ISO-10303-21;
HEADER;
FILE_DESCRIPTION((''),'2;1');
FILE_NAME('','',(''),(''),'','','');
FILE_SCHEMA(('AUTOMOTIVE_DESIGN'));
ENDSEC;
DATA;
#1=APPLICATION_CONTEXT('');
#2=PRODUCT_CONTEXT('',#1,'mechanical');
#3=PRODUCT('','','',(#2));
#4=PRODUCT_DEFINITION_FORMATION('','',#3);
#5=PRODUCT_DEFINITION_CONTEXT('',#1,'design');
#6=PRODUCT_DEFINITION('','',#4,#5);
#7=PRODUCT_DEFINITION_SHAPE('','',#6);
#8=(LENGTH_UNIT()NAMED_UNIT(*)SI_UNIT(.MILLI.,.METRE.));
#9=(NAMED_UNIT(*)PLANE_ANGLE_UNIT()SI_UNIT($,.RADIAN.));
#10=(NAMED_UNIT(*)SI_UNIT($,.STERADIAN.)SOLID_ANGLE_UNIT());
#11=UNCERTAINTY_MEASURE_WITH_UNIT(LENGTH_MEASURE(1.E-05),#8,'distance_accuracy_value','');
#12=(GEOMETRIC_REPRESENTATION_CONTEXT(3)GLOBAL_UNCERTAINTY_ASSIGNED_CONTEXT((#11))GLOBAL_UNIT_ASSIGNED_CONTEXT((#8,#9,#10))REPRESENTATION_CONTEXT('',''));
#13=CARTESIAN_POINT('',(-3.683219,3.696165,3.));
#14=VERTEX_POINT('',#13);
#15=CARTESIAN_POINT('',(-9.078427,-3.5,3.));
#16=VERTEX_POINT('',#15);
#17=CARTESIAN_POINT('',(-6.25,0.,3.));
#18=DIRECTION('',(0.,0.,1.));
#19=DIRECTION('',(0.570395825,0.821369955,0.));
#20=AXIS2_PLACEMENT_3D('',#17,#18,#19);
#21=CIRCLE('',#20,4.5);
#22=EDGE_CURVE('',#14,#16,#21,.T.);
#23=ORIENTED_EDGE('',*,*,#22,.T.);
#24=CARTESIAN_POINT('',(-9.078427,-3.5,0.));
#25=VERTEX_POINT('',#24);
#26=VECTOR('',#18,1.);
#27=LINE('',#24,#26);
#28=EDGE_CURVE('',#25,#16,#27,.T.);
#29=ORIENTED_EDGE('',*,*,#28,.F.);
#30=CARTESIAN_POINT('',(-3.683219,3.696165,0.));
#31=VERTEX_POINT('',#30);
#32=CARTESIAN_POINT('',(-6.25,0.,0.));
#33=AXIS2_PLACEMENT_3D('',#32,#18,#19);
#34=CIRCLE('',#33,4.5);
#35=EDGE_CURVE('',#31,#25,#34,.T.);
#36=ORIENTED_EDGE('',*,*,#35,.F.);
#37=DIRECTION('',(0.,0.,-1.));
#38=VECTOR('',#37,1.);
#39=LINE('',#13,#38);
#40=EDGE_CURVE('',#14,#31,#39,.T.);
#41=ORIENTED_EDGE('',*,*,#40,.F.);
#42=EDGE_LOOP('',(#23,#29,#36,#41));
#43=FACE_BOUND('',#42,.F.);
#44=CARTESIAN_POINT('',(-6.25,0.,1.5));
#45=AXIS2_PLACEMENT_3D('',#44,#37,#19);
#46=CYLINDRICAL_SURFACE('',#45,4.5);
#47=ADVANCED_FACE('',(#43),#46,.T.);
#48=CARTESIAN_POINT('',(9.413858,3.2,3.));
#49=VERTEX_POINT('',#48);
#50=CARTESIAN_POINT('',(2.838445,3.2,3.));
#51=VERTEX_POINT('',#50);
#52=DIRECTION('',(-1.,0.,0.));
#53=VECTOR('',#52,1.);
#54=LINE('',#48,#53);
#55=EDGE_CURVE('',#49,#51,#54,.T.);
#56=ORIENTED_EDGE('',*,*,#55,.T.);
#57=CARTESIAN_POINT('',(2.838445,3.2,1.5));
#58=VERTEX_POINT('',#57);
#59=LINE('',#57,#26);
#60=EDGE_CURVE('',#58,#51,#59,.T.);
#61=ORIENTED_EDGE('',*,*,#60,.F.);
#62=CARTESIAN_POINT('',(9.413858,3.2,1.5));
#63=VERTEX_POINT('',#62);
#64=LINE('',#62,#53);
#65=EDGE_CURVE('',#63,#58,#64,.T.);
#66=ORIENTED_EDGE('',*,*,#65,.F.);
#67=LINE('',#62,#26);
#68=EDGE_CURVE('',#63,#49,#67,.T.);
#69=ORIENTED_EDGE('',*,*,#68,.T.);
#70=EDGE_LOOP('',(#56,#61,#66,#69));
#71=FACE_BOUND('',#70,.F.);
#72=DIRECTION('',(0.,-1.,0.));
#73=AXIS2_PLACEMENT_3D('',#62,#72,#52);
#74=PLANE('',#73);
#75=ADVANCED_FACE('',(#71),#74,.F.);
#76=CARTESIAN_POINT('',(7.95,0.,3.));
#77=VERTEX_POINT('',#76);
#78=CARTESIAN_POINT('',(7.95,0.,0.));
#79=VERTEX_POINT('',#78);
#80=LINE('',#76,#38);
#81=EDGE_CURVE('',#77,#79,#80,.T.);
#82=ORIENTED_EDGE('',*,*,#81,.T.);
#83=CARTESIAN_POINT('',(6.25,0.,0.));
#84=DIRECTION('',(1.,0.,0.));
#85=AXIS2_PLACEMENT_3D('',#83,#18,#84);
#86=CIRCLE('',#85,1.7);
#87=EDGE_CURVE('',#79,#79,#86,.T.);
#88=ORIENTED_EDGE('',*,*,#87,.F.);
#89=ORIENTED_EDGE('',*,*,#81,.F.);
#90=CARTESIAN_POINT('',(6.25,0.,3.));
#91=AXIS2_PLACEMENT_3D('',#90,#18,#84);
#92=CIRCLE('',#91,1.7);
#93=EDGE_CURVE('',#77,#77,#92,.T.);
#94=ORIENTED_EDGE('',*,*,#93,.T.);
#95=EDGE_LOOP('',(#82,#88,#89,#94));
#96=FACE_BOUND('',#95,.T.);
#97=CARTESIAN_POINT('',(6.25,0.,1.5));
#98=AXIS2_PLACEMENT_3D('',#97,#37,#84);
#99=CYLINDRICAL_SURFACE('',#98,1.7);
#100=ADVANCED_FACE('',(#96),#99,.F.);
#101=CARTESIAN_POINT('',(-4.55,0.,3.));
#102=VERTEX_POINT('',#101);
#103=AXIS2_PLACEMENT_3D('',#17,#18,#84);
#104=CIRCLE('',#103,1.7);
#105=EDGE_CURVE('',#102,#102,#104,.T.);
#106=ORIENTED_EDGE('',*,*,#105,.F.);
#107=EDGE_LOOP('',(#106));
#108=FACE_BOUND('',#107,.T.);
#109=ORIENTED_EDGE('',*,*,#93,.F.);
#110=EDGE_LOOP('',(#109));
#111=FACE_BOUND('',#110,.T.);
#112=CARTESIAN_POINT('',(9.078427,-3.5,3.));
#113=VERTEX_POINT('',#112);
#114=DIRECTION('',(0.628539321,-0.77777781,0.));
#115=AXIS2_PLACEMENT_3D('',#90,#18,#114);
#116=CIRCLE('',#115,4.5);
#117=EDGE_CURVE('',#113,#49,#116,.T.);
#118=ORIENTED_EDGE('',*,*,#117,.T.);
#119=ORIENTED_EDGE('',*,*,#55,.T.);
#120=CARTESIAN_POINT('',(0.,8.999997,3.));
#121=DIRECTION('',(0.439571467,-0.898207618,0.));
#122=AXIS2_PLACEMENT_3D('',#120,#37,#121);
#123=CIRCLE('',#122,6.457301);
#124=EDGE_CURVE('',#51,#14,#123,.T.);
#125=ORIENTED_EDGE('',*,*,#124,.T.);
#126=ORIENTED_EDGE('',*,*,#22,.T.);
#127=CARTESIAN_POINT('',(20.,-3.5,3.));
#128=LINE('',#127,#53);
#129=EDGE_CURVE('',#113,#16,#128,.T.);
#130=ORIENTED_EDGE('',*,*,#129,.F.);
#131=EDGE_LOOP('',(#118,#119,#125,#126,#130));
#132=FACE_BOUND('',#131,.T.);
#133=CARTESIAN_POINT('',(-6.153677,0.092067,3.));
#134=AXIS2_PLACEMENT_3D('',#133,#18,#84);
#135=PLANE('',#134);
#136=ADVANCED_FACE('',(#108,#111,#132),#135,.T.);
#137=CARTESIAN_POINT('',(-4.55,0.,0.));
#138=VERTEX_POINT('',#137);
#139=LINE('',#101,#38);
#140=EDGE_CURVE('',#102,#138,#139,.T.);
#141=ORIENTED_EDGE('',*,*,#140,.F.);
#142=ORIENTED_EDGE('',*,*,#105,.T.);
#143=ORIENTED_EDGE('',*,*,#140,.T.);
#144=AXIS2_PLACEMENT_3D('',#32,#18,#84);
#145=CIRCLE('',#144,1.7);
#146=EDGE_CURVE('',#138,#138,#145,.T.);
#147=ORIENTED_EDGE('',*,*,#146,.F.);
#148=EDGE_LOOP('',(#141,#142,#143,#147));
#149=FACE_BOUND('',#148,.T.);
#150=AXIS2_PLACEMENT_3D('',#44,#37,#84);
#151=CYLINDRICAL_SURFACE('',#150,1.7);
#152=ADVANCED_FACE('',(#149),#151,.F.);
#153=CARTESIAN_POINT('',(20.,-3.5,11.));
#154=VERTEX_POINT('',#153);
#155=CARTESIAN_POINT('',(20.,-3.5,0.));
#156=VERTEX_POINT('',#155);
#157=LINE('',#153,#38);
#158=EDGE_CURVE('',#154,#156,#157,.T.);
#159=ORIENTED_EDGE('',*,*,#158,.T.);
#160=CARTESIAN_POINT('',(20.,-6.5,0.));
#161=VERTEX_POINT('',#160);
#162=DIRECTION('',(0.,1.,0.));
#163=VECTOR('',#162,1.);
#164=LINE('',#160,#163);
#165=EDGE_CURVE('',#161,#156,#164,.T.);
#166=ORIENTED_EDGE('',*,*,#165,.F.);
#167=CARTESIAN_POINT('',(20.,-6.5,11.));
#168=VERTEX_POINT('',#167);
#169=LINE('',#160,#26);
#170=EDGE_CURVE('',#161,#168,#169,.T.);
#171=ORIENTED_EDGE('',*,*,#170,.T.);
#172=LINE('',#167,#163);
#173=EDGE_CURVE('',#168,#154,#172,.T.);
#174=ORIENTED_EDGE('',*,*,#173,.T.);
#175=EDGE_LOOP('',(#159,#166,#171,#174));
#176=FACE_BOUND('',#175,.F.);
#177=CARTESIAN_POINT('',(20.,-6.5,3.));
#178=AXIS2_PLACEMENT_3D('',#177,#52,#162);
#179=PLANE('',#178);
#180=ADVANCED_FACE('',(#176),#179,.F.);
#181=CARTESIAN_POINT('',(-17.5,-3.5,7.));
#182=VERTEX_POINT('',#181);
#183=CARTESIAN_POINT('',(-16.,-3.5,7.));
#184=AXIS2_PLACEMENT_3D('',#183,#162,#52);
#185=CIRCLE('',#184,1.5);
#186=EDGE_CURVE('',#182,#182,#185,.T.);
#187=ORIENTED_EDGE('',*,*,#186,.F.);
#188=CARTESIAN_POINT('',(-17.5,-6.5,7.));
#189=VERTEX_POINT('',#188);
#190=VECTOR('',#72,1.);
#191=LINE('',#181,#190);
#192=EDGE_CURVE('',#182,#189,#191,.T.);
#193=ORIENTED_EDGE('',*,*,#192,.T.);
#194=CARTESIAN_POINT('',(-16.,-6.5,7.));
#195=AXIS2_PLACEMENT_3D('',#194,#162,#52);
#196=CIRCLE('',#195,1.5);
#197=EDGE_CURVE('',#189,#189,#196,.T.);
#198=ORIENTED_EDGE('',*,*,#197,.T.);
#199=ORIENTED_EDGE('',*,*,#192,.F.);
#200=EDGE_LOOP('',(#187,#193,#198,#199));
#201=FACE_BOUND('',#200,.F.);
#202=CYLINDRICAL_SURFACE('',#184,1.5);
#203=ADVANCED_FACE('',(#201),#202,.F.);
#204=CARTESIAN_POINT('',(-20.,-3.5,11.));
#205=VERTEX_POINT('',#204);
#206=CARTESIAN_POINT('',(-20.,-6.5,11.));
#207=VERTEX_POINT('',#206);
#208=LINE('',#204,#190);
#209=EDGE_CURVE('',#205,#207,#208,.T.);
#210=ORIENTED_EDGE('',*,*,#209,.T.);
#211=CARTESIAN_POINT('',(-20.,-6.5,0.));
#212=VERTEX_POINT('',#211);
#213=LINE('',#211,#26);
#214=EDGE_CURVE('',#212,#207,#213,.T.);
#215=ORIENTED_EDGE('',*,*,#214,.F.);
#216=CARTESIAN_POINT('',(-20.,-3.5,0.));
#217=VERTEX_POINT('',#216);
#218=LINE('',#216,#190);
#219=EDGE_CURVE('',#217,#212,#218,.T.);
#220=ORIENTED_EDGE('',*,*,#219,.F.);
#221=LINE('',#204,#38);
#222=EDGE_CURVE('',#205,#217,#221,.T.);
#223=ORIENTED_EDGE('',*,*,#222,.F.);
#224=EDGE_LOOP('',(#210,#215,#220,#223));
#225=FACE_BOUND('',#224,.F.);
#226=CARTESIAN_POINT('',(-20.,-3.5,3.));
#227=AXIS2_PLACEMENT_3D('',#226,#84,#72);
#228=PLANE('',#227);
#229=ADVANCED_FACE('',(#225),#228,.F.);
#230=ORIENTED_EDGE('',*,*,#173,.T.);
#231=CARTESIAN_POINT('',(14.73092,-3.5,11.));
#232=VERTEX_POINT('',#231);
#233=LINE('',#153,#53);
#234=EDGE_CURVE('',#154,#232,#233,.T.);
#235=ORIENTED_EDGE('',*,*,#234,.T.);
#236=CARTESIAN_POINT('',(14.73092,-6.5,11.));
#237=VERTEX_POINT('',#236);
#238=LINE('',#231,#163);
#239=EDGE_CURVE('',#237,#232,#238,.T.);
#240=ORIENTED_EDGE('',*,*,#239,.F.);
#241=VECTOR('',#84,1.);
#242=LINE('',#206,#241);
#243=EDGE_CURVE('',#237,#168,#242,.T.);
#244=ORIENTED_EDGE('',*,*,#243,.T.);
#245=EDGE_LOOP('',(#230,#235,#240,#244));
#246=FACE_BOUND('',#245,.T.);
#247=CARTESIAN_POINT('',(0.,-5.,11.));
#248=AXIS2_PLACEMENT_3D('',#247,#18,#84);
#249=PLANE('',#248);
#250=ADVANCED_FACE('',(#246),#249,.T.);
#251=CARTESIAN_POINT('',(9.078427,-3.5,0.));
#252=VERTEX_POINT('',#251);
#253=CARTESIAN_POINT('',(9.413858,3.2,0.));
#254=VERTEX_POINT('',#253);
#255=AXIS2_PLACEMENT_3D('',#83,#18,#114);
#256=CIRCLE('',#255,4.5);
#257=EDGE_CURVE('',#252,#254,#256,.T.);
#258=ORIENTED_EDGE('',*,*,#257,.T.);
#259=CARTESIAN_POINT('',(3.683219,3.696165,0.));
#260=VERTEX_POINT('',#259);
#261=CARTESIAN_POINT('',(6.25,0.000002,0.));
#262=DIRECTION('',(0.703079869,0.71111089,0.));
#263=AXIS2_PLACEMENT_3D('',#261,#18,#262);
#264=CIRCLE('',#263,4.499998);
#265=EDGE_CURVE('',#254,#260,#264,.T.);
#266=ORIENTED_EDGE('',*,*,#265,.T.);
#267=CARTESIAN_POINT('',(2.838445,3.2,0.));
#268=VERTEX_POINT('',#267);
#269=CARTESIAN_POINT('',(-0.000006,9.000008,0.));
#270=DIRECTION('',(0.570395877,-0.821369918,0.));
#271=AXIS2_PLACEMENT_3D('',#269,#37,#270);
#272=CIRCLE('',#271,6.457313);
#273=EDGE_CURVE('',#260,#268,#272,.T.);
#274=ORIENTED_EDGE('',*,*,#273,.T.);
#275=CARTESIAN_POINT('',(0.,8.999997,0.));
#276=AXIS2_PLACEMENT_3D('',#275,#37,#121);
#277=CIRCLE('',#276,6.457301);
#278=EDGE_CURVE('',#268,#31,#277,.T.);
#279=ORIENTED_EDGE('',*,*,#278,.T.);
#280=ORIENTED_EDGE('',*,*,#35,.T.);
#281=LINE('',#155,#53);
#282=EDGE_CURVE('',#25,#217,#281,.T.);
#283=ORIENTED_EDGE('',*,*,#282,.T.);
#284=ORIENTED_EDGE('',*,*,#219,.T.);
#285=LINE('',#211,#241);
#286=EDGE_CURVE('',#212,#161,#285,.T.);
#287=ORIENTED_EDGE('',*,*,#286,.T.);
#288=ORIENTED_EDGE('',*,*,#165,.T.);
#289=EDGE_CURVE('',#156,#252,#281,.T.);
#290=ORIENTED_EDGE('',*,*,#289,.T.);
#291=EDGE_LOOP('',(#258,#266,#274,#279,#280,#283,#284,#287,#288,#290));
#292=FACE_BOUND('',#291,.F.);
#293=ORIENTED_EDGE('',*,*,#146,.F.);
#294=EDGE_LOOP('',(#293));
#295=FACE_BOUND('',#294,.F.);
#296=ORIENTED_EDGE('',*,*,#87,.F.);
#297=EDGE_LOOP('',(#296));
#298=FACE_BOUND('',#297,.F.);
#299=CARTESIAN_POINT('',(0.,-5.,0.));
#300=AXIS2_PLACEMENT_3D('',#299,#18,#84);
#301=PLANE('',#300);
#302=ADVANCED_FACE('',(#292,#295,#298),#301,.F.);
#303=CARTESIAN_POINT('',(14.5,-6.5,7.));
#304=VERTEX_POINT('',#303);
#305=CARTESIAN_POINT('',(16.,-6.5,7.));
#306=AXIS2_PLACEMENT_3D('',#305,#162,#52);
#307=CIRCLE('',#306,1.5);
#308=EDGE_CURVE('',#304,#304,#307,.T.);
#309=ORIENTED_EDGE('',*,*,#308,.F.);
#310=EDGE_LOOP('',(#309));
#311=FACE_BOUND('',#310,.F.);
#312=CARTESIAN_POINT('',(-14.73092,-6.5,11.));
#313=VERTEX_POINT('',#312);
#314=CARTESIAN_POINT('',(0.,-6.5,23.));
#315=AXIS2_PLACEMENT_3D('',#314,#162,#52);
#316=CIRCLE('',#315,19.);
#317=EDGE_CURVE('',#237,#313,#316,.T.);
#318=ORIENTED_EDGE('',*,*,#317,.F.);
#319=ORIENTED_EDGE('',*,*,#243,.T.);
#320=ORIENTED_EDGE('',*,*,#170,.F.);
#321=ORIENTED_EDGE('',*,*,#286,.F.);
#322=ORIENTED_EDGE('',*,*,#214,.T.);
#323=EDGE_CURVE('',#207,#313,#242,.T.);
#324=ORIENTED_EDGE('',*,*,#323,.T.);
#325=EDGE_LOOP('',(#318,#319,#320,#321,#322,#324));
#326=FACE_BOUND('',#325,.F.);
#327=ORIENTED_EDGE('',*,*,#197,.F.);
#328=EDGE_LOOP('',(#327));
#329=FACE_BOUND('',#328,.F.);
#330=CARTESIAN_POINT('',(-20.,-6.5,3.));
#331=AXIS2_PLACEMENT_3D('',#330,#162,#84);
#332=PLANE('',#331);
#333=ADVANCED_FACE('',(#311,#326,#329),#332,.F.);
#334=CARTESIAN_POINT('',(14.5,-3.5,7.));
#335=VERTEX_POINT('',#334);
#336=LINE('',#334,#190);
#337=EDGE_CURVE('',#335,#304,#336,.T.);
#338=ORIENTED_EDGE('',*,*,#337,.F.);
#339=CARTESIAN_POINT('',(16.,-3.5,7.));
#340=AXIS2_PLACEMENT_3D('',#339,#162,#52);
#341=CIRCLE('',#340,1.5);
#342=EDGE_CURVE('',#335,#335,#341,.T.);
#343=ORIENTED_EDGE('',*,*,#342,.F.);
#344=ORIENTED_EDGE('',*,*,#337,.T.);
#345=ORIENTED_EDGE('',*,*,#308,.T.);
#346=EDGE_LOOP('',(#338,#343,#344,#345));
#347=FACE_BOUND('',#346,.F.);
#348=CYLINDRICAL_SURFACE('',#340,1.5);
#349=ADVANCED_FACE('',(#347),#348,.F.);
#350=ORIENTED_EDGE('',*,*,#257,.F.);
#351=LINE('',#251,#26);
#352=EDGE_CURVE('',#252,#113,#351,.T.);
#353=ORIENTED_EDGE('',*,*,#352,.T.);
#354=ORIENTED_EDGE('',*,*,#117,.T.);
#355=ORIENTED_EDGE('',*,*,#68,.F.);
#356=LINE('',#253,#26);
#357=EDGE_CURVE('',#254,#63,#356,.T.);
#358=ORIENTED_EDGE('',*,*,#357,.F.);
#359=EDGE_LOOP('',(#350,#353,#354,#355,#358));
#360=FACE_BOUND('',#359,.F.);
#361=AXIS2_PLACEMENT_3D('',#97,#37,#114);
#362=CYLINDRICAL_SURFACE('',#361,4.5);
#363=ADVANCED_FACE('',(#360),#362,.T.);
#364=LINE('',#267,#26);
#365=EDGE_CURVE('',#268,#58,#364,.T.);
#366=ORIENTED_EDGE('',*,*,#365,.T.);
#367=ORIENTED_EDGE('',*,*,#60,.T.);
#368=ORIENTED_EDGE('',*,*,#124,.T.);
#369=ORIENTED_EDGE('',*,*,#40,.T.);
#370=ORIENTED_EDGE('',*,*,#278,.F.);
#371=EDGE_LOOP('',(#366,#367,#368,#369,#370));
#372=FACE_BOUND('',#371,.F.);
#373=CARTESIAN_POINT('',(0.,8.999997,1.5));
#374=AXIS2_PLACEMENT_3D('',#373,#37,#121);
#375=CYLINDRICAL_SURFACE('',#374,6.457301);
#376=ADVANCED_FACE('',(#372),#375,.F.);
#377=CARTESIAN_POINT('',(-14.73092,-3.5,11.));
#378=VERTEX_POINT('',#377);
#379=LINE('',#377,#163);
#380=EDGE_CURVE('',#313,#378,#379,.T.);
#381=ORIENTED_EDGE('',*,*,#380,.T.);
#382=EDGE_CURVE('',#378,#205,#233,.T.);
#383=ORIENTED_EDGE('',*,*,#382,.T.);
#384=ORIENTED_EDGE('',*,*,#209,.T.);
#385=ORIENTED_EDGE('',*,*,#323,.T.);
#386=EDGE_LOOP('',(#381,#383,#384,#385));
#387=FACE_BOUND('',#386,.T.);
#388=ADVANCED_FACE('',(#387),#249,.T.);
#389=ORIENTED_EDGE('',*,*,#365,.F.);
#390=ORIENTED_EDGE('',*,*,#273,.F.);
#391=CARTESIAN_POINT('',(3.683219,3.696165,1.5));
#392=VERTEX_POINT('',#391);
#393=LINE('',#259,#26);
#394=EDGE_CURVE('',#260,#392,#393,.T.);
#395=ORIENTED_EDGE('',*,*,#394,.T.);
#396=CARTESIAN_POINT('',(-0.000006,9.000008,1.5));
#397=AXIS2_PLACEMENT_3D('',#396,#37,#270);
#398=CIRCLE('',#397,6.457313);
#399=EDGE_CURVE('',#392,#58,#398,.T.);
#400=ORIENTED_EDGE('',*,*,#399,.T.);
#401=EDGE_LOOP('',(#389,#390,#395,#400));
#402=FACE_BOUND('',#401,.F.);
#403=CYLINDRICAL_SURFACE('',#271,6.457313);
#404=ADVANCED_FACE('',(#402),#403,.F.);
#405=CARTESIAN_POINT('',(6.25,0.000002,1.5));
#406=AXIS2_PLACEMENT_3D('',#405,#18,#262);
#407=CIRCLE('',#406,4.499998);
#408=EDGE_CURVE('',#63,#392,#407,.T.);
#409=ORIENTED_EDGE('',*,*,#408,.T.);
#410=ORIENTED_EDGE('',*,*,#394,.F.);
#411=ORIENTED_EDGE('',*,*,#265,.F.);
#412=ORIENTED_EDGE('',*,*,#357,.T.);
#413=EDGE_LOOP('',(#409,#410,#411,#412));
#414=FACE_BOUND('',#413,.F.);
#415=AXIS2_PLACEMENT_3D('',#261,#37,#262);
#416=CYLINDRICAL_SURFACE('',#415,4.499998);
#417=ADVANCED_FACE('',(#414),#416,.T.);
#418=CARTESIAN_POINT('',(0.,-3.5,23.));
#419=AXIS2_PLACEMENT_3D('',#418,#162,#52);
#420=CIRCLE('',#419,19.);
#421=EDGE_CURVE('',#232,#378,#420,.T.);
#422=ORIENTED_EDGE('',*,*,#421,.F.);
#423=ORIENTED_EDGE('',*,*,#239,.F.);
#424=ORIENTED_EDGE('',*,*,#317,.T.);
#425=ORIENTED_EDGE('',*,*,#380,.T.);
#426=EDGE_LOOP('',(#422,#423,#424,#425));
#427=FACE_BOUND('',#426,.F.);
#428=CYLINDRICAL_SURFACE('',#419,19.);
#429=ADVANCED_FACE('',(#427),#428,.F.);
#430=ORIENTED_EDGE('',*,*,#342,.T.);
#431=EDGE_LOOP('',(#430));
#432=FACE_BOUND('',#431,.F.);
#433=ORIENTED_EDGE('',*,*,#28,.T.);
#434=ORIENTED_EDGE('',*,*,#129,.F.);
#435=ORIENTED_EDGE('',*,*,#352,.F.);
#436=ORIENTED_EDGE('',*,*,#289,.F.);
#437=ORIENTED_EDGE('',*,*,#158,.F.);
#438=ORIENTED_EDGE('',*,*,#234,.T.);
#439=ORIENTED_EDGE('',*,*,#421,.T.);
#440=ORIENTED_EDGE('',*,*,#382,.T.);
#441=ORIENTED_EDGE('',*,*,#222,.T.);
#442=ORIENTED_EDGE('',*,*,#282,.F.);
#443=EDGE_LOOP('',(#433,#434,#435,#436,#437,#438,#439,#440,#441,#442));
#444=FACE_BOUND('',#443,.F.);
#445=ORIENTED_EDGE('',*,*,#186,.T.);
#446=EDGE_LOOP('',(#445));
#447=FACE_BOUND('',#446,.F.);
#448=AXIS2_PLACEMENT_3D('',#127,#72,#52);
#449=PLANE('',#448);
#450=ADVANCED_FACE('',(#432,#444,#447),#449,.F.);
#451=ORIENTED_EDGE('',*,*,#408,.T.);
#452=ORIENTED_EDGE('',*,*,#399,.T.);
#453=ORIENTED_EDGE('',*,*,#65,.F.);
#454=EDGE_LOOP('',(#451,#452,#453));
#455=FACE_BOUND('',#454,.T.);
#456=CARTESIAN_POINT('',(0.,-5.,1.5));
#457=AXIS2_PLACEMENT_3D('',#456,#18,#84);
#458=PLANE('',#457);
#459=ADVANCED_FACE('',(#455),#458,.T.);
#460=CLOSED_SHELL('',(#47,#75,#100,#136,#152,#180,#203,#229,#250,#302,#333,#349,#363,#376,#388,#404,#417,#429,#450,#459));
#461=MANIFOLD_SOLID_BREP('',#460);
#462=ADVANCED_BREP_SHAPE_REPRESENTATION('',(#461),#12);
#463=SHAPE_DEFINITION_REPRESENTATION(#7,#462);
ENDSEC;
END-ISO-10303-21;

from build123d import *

# Parameters (mm, degrees)
F0_R     = 1.7
F1_DEPTH = 1.5
F2_R     = 1.7
F3_DEPTH = 1.5
F5_DEPTH = 8
F6_R     = 19
F6_R_2   = 1.5
F7_DEPTH = 3.001


with BuildPart() as f1:
    # F0 (on Top) → F1 (new body)
    with BuildSketch(Plane.XY):
        Polygon((3.421573, -3.5), (-3.421573, -3.5), (-9.078427, -3.5), (-20, -3.5), (-20, -6.5), (20, -6.5), (20, -3.5), (9.078427, -3.5), align=None)
        with BuildLine():
            Line((-9.078427, -3.5), (-3.421573, -3.5))
            ThreePointArc((-3.421573, -3.5), (-1.752972, 0.163508), (-3.683219, 3.696165))
            ThreePointArc((-3.683219, 3.696165), (-9.85046, 2.699387), (-9.078427, -3.5))
        make_face()
        with Locations((-6.25, 0)):
            Circle(F0_R, mode=Mode.SUBTRACT)
        with BuildLine():
            ThreePointArc((-3.683219, 3.696165), (-1.752972, 0.163508), (-3.421573, -3.5))
            Line((-3.421573, -3.5), (3.421573, -3.5))
            ThreePointArc((3.421573, -3.5), (1.755629, -0.225008), (3.086142, 3.2))
            Line((3.086142, 3.2), (2.838445, 3.2))
            ThreePointArc((2.838445, 3.2), (-0.489853, 2.561303), (-3.683219, 3.696165))
        make_face()
        with BuildLine():
            ThreePointArc((3.086142, 3.2), (1.755629, -0.225008), (3.421573, -3.5))
            Line((3.421573, -3.5), (9.078427, -3.5))
            ThreePointArc((9.078427, -3.5), (10.744371, -0.225008), (9.413858, 3.2))
            Line((9.413858, 3.2), (3.086142, 3.2))
        make_face()
        with Locations((6.25, 0)):
            Circle(F0_R, mode=Mode.SUBTRACT)
        with BuildLine():
            ThreePointArc((3.683219, 3.696165), (3.270255, 3.432038), (2.838445, 3.2))
            Line((2.838445, 3.2), (3.086142, 3.2))
            Line((3.086142, 3.2), (9.413858, 3.2))
            ThreePointArc((9.413858, 3.2), (6.638163, 4.483228), (3.683219, 3.696165))
        make_face()
    extrude(amount=F1_DEPTH)

    # F2 (on face) → F3 (join)
    with BuildSketch(Plane.XY.offset(1.5)):
        with BuildLine():
            Line((-9.078427, -3.5), (-3.421573, -3.5))
            ThreePointArc((-3.421573, -3.5), (-1.752972, 0.163508), (-3.683219, 3.696165))
            ThreePointArc((-3.683219, 3.696165), (-9.85046, 2.699387), (-9.078427, -3.5))
        make_face()
        with Locations((-6.25, 0)):
            Circle(F2_R, mode=Mode.SUBTRACT)
        with BuildLine():
            ThreePointArc((-3.683219, 3.696165), (-1.752972, 0.163508), (-3.421573, -3.5))
            Line((-3.421573, -3.5), (3.421573, -3.5))
            ThreePointArc((3.421573, -3.5), (1.755629, -0.225008), (3.086142, 3.2))
            Line((3.086142, 3.2), (2.838445, 3.2))
            ThreePointArc((2.838445, 3.2), (-0.489853, 2.561303), (-3.683219, 3.696165))
        make_face()
        with BuildLine():
            ThreePointArc((3.086142, 3.2), (1.755629, -0.225008), (3.421573, -3.5))
            Line((3.421573, -3.5), (9.078427, -3.5))
            ThreePointArc((9.078427, -3.5), (10.744371, -0.225008), (9.413858, 3.2))
            Line((9.413858, 3.2), (3.086142, 3.2))
        make_face()
        with Locations((6.25, 0)):
            Circle(F2_R, mode=Mode.SUBTRACT)
        Polygon((3.421573, -3.5), (-3.421573, -3.5), (-9.078427, -3.5), (-20, -3.5), (-20, -6.5), (20, -6.5), (20, -3.5), (9.078427, -3.5), align=None)
    extrude(amount=F3_DEPTH)

    # F4 (on face) → F5 (join)
    with BuildSketch(Plane.XY.offset(3)):
        Polygon((3.421573, -3.5), (-3.421573, -3.5), (-9.078427, -3.5), (-20, -3.5), (-20, -6.5), (20, -6.5), (20, -3.5), (9.078427, -3.5), align=None)
    extrude(amount=F5_DEPTH)

    # F6 (on face) → F7 (cut, through all)
    with BuildSketch(Plane(origin=(0, -3.5, 0), x_dir=(-1, 0, 0), z_dir=(0, 1, 0))):
        with Locations((0, 23)):
            Circle(F6_R)
        with Locations((-16, 7)):
            Circle(F6_R_2)
        with Locations((16, 7)):
            Circle(F6_R_2)
    extrude(amount=-F7_DEPTH, mode=Mode.SUBTRACT)


solid = f1.part
